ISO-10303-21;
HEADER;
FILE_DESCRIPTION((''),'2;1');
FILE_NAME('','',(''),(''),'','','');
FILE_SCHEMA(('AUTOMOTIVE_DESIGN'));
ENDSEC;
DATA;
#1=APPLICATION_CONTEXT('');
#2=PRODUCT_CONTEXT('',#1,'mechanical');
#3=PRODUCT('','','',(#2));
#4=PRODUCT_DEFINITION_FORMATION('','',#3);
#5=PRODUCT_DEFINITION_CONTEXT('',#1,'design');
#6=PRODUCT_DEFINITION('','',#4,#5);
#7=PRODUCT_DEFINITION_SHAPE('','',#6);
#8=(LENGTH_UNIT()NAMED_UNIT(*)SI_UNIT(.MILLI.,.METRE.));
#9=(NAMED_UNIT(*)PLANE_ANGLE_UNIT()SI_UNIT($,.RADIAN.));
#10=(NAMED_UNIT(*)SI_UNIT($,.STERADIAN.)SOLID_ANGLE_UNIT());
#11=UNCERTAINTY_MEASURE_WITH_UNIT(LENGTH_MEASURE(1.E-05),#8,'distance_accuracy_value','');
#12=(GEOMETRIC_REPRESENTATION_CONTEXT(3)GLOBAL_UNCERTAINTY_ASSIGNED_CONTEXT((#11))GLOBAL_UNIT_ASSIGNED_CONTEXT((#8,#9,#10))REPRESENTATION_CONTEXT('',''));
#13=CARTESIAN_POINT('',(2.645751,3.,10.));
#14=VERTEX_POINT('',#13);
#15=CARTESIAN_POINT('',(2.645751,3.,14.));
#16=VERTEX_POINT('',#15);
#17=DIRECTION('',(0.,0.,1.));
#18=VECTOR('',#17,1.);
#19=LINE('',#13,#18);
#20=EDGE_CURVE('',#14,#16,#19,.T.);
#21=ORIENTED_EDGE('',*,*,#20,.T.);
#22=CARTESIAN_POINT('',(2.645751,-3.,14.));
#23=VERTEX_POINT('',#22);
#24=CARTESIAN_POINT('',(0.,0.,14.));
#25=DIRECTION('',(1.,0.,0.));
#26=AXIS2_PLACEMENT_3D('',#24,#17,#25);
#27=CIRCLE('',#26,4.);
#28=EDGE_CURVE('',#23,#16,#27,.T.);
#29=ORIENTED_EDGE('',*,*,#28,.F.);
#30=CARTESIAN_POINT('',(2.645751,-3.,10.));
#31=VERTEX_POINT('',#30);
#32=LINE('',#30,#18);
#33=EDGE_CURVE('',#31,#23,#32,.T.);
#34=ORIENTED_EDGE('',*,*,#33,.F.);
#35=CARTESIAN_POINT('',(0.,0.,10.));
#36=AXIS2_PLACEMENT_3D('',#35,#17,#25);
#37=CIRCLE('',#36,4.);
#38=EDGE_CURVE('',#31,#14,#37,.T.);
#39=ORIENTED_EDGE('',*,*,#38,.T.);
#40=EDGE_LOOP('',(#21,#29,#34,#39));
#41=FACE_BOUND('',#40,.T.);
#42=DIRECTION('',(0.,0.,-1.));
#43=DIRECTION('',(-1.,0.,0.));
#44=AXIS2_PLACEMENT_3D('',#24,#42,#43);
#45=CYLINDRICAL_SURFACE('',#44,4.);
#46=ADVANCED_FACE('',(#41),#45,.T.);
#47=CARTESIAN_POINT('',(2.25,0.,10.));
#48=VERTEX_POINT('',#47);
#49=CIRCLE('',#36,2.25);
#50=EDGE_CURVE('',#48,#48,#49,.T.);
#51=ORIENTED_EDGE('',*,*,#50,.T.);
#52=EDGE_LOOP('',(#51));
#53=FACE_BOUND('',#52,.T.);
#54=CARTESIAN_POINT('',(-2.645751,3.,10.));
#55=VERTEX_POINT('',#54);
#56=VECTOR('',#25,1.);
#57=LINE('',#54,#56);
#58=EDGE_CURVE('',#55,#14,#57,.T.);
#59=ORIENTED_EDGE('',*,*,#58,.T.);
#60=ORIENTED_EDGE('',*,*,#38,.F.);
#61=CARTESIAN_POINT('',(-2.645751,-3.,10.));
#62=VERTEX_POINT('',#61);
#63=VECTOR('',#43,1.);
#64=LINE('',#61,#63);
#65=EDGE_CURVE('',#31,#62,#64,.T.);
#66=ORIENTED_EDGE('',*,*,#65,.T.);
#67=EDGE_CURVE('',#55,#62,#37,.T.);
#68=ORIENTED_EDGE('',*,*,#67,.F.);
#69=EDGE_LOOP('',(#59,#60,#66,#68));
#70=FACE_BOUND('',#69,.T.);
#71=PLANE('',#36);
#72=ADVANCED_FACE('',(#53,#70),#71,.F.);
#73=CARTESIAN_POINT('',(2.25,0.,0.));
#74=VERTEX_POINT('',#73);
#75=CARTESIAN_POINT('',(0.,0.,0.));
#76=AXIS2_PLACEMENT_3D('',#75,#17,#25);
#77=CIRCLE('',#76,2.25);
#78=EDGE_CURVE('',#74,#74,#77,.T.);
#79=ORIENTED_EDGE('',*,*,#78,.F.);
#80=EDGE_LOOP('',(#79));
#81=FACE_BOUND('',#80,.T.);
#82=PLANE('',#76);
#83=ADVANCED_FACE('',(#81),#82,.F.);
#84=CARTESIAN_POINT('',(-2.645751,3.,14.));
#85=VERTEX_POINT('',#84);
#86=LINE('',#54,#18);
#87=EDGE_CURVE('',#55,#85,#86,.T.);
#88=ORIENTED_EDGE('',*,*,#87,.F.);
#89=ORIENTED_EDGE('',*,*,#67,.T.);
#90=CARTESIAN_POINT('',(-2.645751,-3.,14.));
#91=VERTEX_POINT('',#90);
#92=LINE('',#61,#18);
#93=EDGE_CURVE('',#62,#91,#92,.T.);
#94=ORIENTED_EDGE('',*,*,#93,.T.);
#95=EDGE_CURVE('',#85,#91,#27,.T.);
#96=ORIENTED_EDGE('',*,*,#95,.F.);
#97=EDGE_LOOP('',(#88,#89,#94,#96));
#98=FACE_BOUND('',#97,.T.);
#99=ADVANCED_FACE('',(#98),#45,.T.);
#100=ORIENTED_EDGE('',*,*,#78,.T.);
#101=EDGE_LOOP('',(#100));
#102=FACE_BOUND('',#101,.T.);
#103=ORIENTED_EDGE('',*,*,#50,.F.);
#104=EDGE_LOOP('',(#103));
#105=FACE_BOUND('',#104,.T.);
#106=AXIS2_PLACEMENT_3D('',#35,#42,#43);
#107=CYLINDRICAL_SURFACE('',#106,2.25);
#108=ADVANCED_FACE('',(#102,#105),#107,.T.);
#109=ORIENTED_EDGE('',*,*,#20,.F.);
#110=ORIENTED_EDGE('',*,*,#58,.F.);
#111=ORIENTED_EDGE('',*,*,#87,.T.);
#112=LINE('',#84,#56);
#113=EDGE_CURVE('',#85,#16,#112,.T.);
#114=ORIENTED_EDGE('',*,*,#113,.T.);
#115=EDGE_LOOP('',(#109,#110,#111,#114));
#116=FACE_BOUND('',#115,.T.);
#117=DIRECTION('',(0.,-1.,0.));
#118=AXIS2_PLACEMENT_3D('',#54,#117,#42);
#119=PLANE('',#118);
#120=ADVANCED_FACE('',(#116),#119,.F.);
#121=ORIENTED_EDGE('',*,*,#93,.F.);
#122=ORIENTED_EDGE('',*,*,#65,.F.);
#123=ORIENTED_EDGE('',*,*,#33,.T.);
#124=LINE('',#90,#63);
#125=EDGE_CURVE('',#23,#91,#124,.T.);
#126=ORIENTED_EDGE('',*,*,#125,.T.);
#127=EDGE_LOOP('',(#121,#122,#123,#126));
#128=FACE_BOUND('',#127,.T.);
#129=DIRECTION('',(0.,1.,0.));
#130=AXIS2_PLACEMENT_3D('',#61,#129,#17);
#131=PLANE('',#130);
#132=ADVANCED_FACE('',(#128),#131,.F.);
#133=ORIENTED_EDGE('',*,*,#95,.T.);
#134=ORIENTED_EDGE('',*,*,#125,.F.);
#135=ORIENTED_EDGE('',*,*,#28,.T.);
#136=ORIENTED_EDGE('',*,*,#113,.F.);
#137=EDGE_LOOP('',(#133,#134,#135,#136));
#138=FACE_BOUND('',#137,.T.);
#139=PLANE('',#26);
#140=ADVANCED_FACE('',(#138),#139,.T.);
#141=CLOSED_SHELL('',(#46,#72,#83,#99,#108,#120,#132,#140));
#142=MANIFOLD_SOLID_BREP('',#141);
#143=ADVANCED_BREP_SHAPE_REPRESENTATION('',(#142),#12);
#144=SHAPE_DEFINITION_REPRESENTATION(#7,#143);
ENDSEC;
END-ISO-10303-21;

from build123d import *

# Parameters (mm, degrees)
SKETCH1_R           = 2.25
BOSS_EXTRUDE1_DEPTH = 10
SKETCH2_R           = 4
BOSS_EXTRUDE2_DEPTH = 4
CUT_EXTRUDE1_START  = -4
CUT_EXTRUDE1_DEPTH  = 4


with BuildPart() as part:
    # Sketch1 → Boss-Extrude1 (new body)
    with BuildSketch(Plane.XY):
        Circle(SKETCH1_R)
    extrude(amount=BOSS_EXTRUDE1_DEPTH)

    # Sketch2 → Boss-Extrude2 (add)
    with BuildSketch(Plane.XY.offset(10)):
        Circle(SKETCH2_R)
    extrude(amount=BOSS_EXTRUDE2_DEPTH)

    # Sketch3 → Cut-Extrude1 (cut)
    with BuildSketch(Plane.XY.offset(14).offset(CUT_EXTRUDE1_START)):
        with BuildLine():
            Line((-2.645751311, 3), (2.645751311, 3))
            ThreePointArc((2.645751311, 3), (0, 4), (-2.645751311, 3))
        make_face()
        with BuildLine():
            Line((-2.645751311, -3), (2.645751311, -3))
            ThreePointArc((2.645751311, -3), (0, -4), (-2.645751311, -3))
        make_face()
    extrude(amount=CUT_EXTRUDE1_DEPTH, mode=Mode.SUBTRACT)


solid = part.part
